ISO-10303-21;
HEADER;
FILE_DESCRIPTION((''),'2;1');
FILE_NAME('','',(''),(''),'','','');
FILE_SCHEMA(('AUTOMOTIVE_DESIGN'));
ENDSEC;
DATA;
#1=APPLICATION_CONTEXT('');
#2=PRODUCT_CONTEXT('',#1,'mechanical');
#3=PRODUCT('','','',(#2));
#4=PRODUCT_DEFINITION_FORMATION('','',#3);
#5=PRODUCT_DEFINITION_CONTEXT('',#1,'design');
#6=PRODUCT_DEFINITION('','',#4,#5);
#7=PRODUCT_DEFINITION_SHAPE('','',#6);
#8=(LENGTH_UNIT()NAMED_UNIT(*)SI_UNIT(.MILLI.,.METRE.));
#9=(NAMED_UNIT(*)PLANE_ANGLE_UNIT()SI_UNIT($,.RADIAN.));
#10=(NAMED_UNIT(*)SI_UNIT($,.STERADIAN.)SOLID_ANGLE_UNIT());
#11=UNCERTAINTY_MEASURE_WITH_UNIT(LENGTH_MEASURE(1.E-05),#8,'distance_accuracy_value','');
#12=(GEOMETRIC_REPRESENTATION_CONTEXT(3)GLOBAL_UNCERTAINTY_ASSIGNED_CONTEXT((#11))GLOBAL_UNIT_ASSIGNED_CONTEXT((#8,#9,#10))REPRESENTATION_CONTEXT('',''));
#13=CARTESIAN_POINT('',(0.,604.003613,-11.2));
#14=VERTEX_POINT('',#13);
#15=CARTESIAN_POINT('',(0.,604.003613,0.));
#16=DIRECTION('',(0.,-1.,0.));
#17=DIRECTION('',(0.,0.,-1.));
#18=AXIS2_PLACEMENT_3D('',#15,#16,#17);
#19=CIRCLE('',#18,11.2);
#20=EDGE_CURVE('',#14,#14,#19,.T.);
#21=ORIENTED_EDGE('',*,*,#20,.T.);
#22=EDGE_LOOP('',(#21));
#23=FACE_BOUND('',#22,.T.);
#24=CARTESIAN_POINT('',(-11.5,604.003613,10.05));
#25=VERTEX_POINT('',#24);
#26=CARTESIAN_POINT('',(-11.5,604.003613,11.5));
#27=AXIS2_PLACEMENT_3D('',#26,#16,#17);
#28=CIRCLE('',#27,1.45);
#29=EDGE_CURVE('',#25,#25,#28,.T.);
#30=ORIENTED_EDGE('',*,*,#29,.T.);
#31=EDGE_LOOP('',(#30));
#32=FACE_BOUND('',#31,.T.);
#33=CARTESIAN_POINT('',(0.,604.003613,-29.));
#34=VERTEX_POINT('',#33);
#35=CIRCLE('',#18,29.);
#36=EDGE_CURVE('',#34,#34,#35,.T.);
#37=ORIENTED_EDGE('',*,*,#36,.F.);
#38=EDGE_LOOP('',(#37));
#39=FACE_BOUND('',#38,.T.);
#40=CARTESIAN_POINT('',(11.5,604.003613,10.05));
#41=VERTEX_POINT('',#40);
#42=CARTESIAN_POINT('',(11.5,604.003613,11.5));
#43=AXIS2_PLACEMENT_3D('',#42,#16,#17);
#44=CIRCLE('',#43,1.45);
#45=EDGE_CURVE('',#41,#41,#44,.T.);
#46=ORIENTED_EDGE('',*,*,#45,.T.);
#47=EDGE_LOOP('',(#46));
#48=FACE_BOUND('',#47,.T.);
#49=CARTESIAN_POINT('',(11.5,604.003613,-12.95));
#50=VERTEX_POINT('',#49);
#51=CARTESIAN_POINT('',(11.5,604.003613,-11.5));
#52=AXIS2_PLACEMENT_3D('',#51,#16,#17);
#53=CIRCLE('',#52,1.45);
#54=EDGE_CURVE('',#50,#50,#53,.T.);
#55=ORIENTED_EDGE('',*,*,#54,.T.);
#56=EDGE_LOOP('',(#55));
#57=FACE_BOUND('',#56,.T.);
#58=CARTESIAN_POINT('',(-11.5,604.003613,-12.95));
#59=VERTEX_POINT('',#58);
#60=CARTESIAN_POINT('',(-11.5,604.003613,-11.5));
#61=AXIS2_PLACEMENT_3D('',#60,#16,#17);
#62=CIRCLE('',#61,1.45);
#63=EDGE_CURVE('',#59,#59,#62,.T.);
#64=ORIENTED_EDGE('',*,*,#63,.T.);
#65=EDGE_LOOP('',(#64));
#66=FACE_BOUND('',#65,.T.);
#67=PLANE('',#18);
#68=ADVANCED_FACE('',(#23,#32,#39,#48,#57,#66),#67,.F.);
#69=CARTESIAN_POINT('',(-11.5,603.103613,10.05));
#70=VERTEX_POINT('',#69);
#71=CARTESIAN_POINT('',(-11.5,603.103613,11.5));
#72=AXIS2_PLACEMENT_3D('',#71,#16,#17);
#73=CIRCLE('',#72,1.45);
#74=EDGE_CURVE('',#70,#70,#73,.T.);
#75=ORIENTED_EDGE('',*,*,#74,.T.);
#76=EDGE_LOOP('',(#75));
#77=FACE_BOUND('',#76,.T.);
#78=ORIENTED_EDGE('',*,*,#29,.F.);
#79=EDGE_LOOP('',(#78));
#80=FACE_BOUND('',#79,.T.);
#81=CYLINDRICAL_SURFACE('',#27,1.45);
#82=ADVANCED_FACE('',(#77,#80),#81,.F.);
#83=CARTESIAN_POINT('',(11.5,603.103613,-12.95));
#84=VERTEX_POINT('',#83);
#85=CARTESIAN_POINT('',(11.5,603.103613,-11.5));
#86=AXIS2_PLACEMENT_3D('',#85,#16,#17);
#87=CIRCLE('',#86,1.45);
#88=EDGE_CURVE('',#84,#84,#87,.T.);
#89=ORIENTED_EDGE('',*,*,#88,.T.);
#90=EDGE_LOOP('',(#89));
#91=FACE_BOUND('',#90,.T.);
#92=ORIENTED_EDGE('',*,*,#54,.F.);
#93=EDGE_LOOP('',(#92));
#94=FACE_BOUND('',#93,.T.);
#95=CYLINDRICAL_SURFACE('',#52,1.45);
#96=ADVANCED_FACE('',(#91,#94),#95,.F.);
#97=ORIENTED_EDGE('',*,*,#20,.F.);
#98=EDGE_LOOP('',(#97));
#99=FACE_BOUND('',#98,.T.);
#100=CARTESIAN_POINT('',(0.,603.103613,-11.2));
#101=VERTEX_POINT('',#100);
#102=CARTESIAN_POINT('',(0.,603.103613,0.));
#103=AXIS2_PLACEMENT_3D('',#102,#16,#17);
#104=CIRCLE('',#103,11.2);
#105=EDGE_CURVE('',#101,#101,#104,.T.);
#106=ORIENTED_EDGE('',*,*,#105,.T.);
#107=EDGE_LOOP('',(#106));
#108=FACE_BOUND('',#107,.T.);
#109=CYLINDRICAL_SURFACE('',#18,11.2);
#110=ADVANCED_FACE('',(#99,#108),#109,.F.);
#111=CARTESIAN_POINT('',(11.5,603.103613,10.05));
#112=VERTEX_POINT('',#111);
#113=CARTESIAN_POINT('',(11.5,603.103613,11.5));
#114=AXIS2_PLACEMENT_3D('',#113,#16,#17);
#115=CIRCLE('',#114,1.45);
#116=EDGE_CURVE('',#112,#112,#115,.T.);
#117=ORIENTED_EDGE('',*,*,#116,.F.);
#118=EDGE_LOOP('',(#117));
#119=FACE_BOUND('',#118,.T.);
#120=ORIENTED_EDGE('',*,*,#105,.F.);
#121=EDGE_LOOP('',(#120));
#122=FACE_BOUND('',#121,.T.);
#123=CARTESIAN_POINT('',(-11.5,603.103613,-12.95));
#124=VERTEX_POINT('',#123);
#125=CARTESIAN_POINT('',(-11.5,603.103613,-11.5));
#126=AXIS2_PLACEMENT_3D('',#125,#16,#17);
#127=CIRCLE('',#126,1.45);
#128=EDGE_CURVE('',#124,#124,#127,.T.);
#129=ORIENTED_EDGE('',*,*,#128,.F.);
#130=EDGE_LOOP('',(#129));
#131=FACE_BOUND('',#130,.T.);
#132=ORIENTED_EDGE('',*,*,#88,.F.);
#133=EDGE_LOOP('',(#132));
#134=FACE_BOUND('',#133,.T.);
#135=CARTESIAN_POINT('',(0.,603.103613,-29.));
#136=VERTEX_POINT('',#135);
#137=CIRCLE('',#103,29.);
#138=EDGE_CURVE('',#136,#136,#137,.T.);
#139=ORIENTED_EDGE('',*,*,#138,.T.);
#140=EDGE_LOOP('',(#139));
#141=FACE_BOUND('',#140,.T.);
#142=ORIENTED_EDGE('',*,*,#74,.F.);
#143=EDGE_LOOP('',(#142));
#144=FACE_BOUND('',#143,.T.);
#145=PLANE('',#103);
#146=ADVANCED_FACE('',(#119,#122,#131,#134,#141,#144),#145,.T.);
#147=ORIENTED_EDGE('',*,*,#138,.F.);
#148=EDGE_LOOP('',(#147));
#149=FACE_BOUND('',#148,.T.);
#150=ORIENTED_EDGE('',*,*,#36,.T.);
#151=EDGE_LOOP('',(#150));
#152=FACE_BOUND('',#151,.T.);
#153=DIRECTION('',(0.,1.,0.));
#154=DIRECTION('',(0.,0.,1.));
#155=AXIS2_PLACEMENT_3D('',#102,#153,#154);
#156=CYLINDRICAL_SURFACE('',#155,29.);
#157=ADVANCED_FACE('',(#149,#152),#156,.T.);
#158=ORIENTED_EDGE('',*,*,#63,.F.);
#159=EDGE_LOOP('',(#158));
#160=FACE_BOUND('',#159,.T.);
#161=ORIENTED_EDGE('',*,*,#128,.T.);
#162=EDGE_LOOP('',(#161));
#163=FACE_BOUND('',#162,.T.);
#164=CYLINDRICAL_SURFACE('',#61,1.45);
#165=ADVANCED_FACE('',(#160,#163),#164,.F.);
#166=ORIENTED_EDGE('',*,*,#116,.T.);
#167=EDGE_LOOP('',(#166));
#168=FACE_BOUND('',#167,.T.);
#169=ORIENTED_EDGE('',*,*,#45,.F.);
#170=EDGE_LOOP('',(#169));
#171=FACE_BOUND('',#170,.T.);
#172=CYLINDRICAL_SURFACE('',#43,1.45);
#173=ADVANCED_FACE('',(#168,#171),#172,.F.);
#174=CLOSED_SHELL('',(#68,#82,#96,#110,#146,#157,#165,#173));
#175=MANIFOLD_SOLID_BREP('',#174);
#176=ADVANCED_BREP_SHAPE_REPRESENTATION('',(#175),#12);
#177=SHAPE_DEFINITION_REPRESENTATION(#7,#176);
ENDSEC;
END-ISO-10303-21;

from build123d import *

# Parameters (mm, degrees)
SKETCH_1_R          = 29
EXTRUDE_1_DEPTH     = 0.9
SKETCH_2_R          = 1.45
SKETCH_2_R_2        = 11.2
CUT_EXTRUDE_1_DEPTH = 0.9


with BuildPart() as part:
    # 草图1 → 凸台-拉伸1 (new body)
    with BuildSketch(Plane.XZ.offset(-604.003613165)):
        with Locations(Location((0, 0, 0), (0, 0, 270))):
            Circle(SKETCH_1_R)
    extrude(amount=EXTRUDE_1_DEPTH)

    # 草图2 → 切除-拉伸1 (cut)
    with BuildSketch(Plane.XZ.offset(-603.103613165)):
        with Locations(Location((11.5, -11.5, 0), (0, 0, 270))):
            Circle(SKETCH_2_R)
        with Locations(Location((-11.5, -11.5, 0), (0, 0, 270))):
            Circle(SKETCH_2_R)
        with Locations(Location((11.5, 11.5, 0), (0, 0, 270))):
            Circle(SKETCH_2_R)
        with Locations(Location((-11.5, 11.5, 0), (0, 0, 270))):
            Circle(SKETCH_2_R)
        with Locations(Location((0, 0, 0), (0, 0, 270))):
            Circle(SKETCH_2_R_2)
    extrude(amount=-CUT_EXTRUDE_1_DEPTH, mode=Mode.SUBTRACT)


solid = part.part
